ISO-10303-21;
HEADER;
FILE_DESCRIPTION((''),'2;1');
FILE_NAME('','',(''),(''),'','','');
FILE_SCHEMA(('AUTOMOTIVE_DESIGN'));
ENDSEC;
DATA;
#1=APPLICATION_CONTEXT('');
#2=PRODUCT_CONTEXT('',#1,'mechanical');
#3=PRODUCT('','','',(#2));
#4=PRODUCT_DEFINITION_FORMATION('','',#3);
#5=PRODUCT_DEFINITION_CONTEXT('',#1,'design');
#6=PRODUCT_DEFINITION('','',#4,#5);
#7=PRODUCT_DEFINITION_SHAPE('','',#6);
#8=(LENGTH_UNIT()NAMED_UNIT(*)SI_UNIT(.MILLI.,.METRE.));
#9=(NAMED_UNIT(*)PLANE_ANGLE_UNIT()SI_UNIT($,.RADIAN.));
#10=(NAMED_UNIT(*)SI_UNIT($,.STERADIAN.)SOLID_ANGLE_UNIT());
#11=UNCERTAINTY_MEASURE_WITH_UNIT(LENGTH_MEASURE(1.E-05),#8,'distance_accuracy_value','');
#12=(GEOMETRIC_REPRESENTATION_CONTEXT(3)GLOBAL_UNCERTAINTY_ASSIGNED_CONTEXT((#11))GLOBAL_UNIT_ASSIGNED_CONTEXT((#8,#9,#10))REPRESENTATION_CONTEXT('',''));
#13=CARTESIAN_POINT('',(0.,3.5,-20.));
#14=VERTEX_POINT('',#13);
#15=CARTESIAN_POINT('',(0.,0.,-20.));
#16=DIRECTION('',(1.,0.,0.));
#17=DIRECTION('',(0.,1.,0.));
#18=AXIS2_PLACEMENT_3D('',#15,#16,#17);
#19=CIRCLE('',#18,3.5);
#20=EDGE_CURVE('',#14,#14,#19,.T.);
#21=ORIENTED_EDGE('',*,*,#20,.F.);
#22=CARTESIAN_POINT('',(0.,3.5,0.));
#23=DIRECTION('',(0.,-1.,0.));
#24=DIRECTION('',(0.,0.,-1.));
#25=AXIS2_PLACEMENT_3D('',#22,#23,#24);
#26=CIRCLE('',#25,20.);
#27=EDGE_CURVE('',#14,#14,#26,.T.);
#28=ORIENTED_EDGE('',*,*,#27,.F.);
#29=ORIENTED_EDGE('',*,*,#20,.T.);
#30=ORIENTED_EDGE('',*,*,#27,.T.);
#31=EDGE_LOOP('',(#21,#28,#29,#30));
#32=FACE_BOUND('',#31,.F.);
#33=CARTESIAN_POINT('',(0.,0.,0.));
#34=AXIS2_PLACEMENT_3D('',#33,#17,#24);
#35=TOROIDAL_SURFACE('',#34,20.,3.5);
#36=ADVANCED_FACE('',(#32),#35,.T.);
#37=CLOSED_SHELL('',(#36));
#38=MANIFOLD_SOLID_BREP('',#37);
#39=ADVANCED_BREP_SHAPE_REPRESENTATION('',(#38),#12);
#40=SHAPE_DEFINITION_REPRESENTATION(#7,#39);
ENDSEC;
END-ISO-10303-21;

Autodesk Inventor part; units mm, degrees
ref_plane "YZ Plane" through (0, 0, 0) normal (1, 0, 0) x (0, 1, 0)
ref_plane "XZ Plane" through (0, 0, 0) normal (0, 1, 0) x (-1, 0, 0)
ref_plane "XY Plane" through (0, 0, 0) normal (0, 0, 1) x (1, 0, 0)
sketch "Sketch1" plane through (0, 0, 0) normal (1, 0, 0) x (0, 1, 0)
  line L0 (0, 19.4059) -> (0, -23.313) construction
  circle A0 centre (0, -20) radius 3.5
  line L1 (16.0464, 0) -> (-12.6648, 0)
  point P0 (0, 0)
  dimension "d0" = 7
  dimension "d1" = 20
revolve "Revolution1" add sketch "Sketch1" angle 360 about axis through (0, 16.0464, 0) along (0, -1, 0)
properties part number "1_Vòng"
